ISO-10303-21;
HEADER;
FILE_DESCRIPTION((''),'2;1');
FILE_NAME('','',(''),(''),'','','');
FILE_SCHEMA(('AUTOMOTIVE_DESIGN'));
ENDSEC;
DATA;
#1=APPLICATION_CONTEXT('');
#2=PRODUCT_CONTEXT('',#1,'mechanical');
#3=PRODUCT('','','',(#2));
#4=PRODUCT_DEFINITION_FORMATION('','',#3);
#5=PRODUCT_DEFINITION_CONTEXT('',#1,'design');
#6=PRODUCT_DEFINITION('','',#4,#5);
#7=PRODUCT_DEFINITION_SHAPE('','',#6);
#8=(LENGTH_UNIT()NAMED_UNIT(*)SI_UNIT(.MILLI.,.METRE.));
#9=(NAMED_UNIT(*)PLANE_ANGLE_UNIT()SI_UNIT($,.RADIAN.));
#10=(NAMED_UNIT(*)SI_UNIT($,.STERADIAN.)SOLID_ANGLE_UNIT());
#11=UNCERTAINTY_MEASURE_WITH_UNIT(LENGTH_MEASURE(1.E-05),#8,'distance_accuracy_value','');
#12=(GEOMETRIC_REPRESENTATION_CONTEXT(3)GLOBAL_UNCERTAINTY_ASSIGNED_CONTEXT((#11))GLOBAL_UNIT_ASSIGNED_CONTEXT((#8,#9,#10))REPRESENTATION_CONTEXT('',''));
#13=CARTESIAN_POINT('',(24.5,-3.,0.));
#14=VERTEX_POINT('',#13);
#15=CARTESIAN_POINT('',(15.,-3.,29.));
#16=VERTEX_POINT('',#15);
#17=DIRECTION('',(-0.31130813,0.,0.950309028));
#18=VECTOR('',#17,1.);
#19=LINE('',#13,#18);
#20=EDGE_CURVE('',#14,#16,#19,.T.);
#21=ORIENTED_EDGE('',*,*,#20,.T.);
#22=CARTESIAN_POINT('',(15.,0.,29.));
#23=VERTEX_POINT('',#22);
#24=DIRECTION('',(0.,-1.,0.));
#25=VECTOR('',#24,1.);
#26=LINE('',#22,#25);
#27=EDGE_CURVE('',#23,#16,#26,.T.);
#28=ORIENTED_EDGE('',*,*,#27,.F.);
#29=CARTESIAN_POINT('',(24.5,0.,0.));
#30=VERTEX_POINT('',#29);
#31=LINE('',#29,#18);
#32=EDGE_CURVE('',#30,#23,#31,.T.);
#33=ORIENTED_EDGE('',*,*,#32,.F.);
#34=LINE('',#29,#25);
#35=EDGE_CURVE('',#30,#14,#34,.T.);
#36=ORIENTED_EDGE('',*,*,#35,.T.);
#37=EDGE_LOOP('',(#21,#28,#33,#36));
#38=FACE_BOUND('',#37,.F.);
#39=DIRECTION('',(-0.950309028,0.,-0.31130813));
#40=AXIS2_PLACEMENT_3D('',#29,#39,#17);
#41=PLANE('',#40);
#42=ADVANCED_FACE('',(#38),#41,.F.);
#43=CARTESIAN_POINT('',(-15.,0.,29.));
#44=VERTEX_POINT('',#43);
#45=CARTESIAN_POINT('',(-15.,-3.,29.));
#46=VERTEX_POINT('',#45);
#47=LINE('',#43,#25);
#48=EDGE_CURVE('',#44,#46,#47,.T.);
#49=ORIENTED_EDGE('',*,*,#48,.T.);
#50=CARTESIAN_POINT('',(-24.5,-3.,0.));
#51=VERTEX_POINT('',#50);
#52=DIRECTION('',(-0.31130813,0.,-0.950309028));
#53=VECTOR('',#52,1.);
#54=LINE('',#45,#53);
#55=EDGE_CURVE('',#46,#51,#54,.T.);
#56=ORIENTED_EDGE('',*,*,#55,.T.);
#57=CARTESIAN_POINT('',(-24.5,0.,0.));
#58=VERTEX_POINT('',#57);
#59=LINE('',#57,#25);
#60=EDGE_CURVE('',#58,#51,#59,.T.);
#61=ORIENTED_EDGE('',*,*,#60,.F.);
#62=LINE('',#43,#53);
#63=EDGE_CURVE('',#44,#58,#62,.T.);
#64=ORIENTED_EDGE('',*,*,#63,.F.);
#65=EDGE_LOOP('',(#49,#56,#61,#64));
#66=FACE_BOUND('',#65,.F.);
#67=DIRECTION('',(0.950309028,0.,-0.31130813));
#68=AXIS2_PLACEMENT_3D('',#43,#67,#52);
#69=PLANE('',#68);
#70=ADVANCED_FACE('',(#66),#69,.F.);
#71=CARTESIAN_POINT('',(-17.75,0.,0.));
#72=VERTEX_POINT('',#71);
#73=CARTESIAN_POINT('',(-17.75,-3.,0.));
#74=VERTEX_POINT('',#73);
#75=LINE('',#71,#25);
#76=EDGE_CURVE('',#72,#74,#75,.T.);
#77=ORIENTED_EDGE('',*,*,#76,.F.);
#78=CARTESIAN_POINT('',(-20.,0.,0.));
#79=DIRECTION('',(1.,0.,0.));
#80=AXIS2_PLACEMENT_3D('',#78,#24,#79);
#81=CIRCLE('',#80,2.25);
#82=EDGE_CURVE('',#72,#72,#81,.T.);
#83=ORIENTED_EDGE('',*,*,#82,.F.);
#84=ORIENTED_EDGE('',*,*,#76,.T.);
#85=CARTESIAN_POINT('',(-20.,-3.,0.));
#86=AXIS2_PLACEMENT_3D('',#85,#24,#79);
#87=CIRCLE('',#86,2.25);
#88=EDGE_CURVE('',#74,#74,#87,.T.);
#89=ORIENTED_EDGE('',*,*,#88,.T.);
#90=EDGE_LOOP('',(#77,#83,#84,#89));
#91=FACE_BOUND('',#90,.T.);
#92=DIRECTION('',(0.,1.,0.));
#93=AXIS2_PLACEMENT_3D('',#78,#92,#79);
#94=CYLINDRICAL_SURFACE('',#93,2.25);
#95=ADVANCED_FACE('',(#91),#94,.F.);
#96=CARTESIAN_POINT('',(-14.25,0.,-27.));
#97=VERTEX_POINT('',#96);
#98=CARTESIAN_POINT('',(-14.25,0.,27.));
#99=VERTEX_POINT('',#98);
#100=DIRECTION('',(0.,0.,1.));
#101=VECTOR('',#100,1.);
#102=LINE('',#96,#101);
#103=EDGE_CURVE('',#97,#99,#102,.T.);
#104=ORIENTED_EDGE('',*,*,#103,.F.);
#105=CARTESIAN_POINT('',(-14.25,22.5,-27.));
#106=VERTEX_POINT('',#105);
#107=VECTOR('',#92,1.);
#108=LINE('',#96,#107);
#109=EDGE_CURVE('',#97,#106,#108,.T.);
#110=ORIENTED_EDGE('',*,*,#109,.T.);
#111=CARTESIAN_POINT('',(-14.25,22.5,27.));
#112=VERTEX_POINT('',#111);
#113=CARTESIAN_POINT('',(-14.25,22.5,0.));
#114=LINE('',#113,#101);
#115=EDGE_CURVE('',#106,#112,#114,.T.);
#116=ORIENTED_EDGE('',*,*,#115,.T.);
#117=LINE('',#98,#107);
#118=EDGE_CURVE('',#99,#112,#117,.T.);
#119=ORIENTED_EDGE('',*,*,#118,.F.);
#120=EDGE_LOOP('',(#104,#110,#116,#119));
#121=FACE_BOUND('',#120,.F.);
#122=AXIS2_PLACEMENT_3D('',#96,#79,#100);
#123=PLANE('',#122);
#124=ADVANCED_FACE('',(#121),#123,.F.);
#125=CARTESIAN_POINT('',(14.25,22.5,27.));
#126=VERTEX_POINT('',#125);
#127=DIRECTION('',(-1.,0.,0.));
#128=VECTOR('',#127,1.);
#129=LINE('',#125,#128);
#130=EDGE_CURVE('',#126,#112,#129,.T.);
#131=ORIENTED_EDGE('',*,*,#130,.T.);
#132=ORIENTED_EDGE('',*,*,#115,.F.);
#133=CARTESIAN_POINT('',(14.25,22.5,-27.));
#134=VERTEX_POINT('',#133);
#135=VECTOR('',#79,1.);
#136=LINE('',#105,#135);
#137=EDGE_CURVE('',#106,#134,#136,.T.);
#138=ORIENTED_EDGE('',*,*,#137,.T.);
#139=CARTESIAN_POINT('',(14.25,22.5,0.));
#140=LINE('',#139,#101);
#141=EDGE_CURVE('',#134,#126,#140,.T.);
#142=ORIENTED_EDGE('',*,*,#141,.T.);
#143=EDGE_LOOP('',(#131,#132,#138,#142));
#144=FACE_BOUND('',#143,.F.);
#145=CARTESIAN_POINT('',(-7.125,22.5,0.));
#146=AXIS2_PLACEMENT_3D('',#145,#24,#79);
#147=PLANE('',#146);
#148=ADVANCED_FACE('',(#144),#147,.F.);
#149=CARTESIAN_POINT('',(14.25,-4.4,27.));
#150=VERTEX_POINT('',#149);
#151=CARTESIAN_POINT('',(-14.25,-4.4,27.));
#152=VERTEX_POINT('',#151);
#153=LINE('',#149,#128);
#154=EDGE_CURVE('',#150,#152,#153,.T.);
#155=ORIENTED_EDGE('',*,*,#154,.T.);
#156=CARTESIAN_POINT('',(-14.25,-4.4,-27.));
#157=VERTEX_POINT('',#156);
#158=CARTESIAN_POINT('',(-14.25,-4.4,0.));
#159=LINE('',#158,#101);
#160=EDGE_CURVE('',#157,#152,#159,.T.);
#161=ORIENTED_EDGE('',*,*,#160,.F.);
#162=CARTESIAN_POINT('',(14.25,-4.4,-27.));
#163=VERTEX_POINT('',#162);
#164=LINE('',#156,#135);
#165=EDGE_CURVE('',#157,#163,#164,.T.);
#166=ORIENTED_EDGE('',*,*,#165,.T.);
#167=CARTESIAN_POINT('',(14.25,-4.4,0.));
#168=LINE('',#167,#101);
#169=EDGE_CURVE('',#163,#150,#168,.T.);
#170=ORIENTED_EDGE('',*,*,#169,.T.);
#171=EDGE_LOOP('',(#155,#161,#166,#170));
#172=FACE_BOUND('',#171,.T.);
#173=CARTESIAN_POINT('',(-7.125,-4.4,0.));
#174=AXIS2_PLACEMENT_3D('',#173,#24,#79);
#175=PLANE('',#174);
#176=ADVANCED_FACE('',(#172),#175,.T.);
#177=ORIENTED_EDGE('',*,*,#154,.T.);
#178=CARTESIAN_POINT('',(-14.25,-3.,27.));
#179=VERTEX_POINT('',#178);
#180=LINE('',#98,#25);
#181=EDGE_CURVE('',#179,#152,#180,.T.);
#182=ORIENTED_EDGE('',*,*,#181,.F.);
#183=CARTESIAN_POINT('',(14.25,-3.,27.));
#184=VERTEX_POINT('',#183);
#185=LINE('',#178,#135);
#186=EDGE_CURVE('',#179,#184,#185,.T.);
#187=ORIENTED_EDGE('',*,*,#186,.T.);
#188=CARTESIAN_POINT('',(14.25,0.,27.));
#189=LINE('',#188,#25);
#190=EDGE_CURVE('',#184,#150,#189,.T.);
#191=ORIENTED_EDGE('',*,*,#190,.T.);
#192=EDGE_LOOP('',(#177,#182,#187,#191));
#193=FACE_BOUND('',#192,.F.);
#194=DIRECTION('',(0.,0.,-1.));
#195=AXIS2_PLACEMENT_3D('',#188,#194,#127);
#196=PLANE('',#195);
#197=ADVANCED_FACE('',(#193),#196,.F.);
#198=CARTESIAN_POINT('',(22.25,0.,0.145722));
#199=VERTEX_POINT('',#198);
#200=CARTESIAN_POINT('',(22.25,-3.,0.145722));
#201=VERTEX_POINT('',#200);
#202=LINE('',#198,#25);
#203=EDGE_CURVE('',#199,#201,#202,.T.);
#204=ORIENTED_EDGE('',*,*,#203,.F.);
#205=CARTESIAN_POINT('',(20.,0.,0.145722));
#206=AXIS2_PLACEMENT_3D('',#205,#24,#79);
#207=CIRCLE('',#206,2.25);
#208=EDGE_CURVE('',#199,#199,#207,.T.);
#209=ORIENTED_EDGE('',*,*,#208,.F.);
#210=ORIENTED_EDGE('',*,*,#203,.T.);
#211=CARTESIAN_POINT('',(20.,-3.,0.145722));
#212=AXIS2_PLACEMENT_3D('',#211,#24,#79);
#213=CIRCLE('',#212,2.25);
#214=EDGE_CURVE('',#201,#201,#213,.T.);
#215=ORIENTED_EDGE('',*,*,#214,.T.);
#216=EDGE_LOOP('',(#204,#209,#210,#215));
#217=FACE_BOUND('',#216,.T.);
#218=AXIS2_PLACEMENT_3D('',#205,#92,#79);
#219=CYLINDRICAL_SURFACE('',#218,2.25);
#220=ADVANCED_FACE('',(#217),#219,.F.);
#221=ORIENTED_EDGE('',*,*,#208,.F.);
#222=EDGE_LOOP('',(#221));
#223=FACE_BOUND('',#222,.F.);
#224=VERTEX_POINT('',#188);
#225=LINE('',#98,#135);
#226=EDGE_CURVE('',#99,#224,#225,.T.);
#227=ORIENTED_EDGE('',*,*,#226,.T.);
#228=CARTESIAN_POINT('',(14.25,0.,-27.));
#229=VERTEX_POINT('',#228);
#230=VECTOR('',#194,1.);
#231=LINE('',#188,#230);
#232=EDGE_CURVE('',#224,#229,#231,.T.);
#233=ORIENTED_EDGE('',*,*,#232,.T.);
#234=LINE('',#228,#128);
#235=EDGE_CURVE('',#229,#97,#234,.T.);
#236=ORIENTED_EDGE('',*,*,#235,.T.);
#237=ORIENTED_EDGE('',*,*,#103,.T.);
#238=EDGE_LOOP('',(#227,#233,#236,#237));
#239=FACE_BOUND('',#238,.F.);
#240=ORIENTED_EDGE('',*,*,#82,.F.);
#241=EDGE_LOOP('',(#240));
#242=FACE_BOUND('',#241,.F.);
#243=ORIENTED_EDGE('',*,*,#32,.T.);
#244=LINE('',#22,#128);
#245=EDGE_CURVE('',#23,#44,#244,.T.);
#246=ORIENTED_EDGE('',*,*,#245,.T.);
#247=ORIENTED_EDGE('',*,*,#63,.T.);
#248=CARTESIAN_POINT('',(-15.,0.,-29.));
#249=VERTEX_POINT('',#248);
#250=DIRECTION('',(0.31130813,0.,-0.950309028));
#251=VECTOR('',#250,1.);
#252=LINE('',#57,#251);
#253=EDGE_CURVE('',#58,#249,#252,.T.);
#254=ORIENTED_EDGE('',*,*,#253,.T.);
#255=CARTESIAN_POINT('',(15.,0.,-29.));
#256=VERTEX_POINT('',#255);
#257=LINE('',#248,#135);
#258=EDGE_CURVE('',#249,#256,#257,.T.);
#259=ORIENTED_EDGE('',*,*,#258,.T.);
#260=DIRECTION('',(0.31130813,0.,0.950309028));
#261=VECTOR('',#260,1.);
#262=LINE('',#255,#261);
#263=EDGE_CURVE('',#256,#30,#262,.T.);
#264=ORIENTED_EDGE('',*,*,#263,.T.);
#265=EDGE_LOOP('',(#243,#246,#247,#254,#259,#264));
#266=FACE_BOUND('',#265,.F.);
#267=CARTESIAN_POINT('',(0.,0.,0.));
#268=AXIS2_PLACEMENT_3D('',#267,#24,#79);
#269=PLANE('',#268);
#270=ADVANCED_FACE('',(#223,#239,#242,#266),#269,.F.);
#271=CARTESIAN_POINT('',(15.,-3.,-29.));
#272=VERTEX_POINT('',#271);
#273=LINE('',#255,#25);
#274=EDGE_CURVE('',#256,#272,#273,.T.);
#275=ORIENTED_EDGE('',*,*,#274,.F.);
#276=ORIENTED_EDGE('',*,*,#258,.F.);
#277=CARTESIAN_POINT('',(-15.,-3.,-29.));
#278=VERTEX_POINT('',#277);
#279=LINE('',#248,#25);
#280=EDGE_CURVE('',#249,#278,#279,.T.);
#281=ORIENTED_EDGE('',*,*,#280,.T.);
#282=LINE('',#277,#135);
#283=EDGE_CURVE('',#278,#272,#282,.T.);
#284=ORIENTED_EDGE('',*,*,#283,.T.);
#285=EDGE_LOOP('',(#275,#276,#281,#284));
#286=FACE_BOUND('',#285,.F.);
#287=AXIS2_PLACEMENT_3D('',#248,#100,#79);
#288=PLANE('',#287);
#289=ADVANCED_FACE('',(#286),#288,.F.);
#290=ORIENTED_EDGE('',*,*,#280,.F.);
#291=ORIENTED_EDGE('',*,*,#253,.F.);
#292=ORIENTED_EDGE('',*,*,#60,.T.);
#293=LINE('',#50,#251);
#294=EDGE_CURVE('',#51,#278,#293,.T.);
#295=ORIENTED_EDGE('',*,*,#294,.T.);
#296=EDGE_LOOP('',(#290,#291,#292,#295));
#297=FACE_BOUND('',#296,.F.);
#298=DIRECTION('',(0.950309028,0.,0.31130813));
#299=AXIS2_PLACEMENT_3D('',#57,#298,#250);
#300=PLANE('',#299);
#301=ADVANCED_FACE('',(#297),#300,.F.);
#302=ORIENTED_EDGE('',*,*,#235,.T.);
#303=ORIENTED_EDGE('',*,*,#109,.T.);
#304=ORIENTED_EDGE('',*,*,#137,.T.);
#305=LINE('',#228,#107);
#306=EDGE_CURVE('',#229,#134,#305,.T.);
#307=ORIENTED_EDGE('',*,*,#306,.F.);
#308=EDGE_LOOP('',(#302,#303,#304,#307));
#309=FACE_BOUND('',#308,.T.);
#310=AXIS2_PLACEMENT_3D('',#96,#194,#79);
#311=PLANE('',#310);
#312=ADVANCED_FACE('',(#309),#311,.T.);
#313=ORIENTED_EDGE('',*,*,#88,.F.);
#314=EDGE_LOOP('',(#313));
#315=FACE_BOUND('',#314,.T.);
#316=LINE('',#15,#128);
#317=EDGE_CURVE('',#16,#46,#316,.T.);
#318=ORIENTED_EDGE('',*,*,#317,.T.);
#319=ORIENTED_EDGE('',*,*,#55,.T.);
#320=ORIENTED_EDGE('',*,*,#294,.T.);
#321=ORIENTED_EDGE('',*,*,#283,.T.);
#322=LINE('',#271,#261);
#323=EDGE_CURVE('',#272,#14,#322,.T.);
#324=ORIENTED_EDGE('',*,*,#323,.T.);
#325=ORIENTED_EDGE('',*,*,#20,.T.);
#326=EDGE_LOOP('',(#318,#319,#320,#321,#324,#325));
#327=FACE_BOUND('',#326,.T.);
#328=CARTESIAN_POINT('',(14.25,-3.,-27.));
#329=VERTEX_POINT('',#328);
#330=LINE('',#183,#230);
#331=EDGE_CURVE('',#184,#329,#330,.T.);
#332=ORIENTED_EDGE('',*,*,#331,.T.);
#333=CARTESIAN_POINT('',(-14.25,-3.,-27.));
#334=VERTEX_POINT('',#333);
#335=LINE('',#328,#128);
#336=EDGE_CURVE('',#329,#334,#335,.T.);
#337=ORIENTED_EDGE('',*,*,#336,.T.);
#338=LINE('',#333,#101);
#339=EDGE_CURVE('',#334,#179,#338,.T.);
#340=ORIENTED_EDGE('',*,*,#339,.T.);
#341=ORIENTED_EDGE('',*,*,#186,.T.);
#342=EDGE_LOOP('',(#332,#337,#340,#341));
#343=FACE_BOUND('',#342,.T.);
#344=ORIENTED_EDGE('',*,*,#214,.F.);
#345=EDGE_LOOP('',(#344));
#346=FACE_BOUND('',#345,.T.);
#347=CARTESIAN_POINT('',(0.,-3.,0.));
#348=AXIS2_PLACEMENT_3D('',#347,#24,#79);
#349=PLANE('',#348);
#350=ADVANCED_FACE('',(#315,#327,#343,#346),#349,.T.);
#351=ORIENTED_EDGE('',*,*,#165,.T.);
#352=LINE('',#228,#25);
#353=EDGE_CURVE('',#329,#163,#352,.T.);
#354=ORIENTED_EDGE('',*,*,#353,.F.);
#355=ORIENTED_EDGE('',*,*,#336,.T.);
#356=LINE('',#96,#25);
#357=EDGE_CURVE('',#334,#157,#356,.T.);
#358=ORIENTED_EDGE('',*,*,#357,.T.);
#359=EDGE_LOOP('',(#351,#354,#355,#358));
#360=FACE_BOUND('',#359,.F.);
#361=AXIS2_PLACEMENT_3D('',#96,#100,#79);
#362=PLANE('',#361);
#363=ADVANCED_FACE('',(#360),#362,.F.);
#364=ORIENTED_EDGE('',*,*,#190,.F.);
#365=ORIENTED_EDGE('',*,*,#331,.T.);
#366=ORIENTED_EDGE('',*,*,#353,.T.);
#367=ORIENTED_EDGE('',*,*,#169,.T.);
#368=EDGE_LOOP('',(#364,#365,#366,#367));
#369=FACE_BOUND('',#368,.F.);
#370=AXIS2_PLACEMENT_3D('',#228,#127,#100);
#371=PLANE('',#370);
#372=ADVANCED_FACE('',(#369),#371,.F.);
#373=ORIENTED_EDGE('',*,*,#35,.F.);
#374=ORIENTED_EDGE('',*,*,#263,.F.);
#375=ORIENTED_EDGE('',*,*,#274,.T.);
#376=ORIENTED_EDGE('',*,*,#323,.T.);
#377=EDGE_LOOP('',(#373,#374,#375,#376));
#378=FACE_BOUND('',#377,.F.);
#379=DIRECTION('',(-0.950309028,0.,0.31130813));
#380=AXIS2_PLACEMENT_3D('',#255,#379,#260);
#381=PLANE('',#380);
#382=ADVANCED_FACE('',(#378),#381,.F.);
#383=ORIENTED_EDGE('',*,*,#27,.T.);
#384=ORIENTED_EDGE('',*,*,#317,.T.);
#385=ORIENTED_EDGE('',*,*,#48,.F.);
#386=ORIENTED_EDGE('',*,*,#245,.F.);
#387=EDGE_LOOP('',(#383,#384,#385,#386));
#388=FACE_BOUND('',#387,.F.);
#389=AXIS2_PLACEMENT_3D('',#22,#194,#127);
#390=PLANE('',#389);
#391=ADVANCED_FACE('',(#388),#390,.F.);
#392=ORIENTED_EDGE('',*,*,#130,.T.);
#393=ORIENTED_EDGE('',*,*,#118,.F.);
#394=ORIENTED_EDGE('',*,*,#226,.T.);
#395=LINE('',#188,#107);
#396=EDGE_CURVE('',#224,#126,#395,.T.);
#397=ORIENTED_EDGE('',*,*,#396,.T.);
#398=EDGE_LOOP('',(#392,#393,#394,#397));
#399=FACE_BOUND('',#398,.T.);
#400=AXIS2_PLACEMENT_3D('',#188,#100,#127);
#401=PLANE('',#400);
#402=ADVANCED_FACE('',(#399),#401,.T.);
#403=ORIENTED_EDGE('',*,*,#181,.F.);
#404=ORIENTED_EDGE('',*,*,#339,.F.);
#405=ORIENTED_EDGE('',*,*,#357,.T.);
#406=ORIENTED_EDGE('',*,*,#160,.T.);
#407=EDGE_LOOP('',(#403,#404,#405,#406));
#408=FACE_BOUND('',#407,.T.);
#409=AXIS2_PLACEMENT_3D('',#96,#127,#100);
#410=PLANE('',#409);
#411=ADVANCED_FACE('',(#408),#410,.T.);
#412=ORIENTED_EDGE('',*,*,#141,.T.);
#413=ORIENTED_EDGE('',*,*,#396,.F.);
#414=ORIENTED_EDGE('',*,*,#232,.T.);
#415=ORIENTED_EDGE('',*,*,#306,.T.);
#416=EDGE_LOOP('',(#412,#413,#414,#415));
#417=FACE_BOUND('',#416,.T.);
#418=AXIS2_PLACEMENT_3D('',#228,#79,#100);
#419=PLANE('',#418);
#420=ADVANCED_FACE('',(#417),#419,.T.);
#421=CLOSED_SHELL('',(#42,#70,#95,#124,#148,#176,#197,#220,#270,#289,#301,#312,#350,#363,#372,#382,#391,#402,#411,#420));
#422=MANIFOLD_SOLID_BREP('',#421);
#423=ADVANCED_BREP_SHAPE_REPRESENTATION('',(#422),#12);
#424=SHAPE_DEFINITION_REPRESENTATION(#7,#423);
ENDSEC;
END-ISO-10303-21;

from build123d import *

# Parameters (mm, degrees)
F0_R          = 2.25
F1_DEPTH      = 3
F0_W          = 14.25
F0_H          = 54
F2_DEPTH      = 22.5
F2_DEPTH_BACK = 4.4


with BuildPart() as f1:
    # F0 (on Front) → F1 (new body)
    with BuildSketch(Plane.XZ):
        Polygon((15, 29), (-15, 29), (-24.5, 0), (-15, -29), (15, -29), (24.5, 0), align=None)
        with Locations((-20, 0)):
            Circle(F0_R, mode=Mode.SUBTRACT)
        Polygon((-14.25, 27), (0, 27), (14.25, 27), (14.25, -27), (0, -27), (-14.25, -27), align=None, mode=Mode.SUBTRACT)
        with Locations((20, 0.1457222243)):
            Circle(F0_R, mode=Mode.SUBTRACT)
    extrude(amount=F1_DEPTH)

    # F0 (on Front) → F2 (join, two sides)
    with BuildSketch(Plane.XZ) as f2_sk:
        with Locations((-7.125, 0)):
            Rectangle(F0_W, F0_H)
        with Locations((7.125, 0)):
            Rectangle(F0_W, F0_H)
    extrude(amount=-F2_DEPTH)
    extrude(f2_sk.sketch, amount=F2_DEPTH_BACK)


solid = f1.part
